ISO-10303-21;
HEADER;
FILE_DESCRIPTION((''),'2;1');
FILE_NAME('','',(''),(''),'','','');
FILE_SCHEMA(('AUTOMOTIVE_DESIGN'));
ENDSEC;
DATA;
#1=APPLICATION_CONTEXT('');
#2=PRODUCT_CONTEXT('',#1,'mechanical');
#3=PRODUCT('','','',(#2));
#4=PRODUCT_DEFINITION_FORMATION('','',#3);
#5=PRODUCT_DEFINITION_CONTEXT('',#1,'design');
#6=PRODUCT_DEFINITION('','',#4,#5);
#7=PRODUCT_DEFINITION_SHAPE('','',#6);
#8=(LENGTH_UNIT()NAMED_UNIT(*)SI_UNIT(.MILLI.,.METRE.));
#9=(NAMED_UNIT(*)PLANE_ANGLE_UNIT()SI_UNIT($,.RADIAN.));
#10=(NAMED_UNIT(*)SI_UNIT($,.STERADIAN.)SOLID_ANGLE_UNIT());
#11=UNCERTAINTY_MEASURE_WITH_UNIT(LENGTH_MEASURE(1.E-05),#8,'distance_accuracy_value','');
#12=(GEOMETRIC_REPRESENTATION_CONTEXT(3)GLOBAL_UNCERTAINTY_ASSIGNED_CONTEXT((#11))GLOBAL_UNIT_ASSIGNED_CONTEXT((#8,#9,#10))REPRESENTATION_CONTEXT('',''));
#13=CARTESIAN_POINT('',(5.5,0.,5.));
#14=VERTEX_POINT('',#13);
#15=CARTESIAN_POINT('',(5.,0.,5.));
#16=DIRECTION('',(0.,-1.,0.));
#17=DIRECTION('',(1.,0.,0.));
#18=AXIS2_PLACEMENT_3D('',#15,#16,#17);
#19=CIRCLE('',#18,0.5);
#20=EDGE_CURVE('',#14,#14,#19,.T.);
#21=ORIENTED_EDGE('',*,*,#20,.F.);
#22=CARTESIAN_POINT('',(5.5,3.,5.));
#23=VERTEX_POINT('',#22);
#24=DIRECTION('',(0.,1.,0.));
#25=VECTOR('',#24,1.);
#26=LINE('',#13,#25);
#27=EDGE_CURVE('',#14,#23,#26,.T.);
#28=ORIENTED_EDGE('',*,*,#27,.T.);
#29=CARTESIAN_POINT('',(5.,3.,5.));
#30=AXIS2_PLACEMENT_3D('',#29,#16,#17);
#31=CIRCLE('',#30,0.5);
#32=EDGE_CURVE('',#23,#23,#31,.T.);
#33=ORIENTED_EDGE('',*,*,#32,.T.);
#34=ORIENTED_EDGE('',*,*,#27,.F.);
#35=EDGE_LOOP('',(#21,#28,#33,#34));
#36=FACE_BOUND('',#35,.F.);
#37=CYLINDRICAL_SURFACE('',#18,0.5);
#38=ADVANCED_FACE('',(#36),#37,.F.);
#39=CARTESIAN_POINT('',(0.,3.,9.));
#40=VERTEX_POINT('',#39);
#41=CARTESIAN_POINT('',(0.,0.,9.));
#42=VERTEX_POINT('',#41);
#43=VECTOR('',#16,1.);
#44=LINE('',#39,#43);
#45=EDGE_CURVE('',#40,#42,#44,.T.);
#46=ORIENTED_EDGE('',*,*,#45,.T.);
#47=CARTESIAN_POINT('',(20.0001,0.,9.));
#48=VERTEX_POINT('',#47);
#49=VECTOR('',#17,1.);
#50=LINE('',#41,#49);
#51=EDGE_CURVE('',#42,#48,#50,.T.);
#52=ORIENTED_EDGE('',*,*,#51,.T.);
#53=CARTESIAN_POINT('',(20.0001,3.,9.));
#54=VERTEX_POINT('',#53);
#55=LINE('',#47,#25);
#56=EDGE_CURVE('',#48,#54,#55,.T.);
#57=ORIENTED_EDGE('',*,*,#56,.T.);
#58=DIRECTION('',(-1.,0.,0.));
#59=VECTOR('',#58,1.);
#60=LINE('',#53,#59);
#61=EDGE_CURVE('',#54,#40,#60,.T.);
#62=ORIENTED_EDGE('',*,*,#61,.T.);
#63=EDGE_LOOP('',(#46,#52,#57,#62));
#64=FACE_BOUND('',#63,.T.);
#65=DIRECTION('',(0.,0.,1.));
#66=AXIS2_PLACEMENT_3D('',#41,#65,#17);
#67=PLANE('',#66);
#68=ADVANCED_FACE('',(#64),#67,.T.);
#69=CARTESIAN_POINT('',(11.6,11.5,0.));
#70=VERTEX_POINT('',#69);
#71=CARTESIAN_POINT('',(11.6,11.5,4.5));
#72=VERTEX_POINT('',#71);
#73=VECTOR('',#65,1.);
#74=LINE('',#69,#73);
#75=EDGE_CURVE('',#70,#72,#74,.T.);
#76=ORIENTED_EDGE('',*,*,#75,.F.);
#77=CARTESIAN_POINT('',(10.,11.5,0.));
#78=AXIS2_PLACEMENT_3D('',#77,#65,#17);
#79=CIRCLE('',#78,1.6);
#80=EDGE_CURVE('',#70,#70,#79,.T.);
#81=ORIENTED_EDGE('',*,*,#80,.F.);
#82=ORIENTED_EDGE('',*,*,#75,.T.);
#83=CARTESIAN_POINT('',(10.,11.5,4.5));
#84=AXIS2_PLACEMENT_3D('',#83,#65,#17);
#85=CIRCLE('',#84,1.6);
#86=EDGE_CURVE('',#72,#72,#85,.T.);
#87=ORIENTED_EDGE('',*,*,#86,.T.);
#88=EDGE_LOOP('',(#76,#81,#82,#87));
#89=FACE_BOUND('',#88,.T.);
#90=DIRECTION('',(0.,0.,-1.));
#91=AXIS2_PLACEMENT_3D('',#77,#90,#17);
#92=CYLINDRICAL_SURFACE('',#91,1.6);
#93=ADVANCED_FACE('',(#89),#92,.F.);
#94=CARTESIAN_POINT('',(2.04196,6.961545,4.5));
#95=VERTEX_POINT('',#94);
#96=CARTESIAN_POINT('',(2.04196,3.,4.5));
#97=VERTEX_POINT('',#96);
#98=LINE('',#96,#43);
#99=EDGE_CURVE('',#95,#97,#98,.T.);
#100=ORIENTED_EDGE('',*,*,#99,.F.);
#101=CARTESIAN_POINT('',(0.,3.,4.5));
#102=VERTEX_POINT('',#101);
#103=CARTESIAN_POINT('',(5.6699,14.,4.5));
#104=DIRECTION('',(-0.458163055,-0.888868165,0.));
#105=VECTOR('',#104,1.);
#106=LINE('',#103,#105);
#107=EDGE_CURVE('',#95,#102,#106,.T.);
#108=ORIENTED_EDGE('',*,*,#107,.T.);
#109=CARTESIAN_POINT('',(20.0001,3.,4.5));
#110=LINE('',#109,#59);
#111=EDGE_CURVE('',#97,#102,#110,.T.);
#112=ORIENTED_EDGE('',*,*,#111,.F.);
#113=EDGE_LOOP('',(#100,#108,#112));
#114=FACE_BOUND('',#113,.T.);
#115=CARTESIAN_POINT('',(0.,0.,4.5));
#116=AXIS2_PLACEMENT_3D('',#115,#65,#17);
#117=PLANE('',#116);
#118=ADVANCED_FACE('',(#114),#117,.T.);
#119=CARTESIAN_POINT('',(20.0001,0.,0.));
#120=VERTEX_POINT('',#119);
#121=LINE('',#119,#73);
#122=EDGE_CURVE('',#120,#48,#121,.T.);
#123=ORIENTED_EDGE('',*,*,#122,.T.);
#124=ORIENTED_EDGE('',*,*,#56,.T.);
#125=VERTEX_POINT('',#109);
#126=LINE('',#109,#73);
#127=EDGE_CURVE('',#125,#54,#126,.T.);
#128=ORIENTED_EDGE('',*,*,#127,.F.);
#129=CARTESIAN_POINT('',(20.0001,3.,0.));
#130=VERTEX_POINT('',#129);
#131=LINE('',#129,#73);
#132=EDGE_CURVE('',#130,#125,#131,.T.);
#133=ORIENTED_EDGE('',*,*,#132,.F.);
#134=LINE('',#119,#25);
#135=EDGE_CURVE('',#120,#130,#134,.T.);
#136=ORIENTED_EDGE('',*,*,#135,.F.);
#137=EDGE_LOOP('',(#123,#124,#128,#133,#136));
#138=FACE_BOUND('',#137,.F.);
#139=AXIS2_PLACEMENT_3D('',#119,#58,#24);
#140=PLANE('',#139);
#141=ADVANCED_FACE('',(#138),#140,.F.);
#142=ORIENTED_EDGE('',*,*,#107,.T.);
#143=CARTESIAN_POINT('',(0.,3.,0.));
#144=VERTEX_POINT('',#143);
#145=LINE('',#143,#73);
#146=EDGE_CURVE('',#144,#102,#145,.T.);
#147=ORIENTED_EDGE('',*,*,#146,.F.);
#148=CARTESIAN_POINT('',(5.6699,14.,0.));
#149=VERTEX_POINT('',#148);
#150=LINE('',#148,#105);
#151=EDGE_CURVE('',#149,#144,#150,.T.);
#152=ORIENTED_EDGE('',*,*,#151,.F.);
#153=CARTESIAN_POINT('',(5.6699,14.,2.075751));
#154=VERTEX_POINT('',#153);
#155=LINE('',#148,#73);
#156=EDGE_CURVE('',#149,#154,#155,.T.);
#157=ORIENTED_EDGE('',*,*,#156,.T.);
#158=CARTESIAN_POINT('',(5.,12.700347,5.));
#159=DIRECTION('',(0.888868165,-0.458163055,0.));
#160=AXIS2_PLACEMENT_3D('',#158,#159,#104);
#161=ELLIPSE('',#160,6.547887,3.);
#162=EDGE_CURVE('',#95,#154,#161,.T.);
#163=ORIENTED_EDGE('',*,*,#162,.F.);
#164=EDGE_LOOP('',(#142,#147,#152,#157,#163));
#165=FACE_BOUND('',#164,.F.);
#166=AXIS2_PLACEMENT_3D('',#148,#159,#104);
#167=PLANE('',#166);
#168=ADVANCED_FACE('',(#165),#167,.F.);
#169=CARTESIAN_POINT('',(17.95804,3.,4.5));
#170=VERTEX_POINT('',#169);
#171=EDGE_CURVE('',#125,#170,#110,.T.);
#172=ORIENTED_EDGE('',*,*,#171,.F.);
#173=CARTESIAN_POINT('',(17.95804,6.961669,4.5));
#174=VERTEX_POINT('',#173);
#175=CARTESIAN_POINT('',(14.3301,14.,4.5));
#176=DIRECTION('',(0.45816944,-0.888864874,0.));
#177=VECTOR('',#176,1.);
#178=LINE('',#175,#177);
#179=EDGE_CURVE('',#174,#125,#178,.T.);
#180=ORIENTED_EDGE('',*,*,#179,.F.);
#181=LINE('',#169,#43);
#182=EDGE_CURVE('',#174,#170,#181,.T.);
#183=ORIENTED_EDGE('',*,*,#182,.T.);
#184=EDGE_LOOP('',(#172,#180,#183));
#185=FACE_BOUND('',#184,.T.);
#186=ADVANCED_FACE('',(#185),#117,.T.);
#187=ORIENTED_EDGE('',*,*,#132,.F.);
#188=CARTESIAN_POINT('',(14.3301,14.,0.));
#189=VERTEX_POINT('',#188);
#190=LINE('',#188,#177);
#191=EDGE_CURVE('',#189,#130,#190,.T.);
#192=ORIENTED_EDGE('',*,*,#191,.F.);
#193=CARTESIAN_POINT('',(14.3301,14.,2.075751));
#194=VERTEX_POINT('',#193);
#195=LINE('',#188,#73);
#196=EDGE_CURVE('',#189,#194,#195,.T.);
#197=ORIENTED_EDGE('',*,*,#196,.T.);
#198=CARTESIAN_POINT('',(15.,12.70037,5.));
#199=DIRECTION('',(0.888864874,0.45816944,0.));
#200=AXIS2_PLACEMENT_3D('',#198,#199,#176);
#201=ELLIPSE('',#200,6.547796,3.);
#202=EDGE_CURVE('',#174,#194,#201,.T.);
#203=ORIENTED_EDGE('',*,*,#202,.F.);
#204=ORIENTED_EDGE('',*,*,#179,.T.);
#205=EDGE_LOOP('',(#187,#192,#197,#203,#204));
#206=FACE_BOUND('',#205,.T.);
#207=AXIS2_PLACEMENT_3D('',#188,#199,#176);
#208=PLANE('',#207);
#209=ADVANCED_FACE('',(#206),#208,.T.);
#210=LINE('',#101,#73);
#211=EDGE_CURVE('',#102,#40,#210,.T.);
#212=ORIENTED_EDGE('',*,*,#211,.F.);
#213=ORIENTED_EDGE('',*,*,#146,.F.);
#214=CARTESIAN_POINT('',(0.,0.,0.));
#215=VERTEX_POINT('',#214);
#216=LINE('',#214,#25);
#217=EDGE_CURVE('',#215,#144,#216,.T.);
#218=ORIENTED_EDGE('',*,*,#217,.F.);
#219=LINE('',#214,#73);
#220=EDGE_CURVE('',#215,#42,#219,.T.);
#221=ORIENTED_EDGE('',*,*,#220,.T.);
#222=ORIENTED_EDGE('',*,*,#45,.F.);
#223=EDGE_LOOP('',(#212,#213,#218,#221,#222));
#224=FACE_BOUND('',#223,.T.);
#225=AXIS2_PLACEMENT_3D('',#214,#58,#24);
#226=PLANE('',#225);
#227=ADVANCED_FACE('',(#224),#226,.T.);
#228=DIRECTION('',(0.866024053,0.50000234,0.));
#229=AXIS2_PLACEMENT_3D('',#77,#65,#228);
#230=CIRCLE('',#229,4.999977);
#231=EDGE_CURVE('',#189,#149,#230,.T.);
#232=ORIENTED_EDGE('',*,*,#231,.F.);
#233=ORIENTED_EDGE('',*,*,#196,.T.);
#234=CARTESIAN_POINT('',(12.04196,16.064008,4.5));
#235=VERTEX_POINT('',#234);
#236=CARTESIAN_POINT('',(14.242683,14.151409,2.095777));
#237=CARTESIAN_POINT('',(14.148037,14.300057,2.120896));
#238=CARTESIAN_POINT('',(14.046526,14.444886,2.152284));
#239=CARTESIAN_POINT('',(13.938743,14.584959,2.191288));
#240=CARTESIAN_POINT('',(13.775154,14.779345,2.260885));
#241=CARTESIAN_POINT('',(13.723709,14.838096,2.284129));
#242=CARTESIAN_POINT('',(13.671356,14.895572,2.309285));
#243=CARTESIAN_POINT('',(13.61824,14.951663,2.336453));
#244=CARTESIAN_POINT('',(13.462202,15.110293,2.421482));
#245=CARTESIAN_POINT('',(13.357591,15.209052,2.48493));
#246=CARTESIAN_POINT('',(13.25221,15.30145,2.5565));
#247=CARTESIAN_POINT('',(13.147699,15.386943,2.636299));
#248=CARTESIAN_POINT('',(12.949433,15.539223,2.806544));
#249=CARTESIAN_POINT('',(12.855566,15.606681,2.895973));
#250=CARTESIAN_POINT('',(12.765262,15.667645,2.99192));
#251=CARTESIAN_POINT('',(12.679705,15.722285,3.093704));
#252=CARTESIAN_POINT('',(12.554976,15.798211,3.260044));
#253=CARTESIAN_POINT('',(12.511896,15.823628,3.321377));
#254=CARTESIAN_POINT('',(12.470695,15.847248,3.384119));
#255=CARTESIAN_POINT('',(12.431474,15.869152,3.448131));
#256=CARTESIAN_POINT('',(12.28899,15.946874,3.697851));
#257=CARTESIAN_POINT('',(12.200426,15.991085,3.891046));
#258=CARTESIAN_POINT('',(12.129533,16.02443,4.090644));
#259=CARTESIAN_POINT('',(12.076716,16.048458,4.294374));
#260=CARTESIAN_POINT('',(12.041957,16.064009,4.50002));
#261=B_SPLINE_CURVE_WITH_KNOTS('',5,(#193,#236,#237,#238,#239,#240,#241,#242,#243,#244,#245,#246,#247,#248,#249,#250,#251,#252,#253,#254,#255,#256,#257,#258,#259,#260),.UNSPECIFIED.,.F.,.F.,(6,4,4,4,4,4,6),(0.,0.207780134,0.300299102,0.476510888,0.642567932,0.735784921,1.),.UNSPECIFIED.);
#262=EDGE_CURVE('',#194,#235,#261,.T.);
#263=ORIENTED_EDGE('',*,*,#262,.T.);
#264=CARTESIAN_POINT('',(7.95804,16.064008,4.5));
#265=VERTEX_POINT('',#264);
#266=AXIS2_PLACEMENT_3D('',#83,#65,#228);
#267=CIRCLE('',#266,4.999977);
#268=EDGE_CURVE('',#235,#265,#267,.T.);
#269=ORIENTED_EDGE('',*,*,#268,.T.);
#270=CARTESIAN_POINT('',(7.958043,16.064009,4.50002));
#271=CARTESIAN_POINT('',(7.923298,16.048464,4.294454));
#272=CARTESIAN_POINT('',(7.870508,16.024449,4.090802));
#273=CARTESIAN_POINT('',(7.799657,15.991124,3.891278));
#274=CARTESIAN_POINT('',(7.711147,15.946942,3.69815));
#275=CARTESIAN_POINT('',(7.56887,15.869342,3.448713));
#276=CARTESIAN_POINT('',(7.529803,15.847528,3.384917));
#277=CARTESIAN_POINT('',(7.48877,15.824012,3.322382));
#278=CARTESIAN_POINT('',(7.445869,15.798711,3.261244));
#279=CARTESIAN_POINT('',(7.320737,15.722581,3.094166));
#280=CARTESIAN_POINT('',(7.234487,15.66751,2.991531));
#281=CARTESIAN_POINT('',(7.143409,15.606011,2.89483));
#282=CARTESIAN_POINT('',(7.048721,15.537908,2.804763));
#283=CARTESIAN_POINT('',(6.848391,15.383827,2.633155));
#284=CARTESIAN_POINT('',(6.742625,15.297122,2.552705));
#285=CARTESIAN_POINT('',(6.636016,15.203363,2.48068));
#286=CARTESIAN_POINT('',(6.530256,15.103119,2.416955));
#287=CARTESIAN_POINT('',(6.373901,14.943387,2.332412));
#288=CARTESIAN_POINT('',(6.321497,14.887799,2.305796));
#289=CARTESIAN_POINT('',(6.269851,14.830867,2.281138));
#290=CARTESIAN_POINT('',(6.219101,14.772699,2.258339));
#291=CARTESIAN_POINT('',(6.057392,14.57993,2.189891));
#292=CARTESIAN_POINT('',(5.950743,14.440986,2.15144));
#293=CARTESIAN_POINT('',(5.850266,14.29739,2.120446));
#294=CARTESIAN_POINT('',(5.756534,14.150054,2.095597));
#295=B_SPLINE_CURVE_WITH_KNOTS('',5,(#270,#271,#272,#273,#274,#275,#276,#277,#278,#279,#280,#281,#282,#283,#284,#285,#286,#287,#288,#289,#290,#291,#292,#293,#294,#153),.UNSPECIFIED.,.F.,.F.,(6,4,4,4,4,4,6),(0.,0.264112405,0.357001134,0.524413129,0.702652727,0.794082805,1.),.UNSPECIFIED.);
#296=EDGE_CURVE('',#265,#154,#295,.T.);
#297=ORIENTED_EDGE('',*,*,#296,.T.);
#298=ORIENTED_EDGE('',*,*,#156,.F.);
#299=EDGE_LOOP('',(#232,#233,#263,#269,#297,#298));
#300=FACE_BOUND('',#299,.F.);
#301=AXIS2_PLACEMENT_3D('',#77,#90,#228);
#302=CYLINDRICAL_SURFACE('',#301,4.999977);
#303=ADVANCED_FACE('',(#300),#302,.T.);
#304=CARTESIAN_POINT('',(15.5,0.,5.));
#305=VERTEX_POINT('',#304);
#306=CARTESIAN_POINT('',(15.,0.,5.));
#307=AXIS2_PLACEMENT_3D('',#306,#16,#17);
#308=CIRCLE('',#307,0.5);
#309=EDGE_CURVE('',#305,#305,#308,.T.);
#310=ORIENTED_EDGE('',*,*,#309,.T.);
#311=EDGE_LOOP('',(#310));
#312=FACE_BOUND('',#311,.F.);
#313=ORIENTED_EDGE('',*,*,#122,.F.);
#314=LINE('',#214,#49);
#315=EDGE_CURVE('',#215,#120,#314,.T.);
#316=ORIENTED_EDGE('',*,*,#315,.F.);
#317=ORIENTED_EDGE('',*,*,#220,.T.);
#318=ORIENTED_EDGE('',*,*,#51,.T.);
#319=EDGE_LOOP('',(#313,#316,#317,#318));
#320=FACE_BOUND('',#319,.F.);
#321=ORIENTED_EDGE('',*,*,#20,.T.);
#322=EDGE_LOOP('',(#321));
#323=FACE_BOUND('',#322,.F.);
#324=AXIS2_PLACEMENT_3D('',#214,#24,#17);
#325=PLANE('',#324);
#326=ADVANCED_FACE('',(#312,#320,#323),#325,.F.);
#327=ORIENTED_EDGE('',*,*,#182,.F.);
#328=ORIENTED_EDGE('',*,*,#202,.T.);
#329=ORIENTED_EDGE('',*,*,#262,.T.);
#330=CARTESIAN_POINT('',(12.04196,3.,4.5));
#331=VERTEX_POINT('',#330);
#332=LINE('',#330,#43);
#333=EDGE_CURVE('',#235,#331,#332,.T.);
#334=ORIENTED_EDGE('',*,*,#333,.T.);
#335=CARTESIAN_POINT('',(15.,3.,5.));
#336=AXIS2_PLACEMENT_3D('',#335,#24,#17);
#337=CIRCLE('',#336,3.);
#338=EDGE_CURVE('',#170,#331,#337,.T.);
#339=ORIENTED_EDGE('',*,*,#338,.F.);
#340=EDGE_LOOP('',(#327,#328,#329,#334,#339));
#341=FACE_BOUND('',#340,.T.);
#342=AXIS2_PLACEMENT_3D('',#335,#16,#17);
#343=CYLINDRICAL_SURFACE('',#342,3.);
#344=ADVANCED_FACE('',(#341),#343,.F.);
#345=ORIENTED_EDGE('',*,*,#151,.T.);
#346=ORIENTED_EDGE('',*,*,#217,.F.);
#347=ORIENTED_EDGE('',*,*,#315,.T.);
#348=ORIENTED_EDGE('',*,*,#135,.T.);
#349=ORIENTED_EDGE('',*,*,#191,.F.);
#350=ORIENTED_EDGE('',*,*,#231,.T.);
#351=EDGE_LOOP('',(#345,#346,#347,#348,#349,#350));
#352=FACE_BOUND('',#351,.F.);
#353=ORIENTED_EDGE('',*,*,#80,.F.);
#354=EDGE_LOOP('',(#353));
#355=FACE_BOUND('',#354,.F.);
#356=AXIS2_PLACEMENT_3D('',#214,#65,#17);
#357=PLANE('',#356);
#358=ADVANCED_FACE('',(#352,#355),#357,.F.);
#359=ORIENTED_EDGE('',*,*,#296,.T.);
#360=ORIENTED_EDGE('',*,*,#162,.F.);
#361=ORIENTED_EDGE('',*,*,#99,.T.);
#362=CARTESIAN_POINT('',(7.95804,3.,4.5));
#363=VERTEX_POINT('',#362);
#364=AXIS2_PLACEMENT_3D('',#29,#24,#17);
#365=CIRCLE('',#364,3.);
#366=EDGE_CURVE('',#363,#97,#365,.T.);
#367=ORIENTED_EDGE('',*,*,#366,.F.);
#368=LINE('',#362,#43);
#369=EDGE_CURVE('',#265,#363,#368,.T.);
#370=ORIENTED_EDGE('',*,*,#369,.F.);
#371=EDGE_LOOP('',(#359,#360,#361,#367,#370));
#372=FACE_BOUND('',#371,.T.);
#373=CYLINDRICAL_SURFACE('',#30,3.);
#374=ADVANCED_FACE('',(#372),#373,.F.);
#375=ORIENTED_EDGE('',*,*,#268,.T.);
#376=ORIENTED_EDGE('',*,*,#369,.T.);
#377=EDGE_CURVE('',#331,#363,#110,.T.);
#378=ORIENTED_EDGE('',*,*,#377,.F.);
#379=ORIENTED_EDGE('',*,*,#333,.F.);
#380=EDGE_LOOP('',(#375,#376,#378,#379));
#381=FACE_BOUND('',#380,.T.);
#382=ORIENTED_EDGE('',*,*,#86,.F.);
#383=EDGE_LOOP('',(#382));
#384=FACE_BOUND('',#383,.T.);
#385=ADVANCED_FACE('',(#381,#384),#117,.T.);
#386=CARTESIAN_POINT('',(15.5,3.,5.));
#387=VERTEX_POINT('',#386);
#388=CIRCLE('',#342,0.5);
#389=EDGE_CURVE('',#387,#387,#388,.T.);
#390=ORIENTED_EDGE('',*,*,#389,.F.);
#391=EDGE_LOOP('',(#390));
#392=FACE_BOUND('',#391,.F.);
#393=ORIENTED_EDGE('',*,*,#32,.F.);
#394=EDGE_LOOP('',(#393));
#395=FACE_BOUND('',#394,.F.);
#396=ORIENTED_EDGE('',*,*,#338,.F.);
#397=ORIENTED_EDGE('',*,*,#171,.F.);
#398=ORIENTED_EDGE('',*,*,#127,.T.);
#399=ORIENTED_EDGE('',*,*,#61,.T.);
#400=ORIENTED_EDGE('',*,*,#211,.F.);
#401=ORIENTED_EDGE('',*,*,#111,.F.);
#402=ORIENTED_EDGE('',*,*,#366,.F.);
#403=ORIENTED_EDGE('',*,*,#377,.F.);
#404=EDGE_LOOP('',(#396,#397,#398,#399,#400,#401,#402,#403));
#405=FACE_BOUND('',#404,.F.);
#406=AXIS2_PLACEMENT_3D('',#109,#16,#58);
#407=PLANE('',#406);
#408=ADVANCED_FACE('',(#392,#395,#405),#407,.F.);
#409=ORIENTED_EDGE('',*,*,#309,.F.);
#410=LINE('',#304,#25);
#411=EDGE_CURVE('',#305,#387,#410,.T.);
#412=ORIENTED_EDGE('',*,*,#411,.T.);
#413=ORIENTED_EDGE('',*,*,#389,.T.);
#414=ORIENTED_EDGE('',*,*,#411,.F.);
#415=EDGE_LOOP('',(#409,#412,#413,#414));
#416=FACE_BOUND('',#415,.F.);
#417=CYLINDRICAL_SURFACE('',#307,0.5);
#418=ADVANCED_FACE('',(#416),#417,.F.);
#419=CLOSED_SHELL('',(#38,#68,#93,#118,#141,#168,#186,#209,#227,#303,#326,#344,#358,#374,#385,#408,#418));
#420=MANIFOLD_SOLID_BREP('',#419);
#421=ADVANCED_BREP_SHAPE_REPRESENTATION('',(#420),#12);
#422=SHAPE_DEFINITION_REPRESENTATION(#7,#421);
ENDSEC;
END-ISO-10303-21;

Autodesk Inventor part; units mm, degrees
ref_plane "YZ Plane" through (0, 0, 0) normal (1, 0, 0) x (0, 1, 0)
ref_plane "XZ Plane" through (0, 0, 0) normal (0, 1, 0) x (-1, 0, 0)
ref_plane "XY Plane" through (0, 0, 0) normal (0, 0, 1) x (1, 0, 0)
sketch "Sketch1" plane through (0, 0, 0) normal (0, 0, 1) x (1, 0, 0)
  circle A0 centre (10, 11.5) radius 1.6
  line L0 (0, 0) -> (20.0001, 0)
  line L1 (0, 0) -> (0, 3)
  line L2 (20.0001, 0) -> (20.0001, 3)
  line L3 (0, 3) -> (16, 3) construction
  line L4 (20.0001, 3) -> (36.0001, 3) construction
  arc A1 (14.3301, 14) -> (5.6699, 14) centre (10, 11.5) ccw
  line L5 (10, 11.5) -> (5.6699, 14) construction
  line L6 (10, 11.5) -> (14.3301, 14) construction
  line L7 (5.6699, 14) -> (0, 3)
  line L8 (14.3301, 14) -> (20.0001, 3)
  dimension "d17" = 3
  dimension "d18" = 3
  dimension "d19" = 11.5
  dimension "d23" = 90
  dimension "d24" = 90
  dimension "d25" = 10
  dimension "d31" = 5
  dimension "d32" = 120
  dimension "d33" = 14
sketch "Sketch3" plane through (0, 0, 0) normal (0, 0, 1) x (1, 0, 0)
  point P0 (0, 0)
extrude "Extrusion1" add sketch "Sketch1" along normal blind 4.5
sketch "Sketch4" plane through (0, 0, 4.5) normal (0, 0, 1) x (1, 0, 0)
  line L0 (0, 3) -> (0, 0) projected
  line L1 (20.0001, 0) -> (20.0001, 3) projected
  line L2 (0, 0) -> (20.0001, 0)
  line L3 (20.0001, 0) -> (20.0001, 3)
  line L4 (3.884, 22.9404) -> (-0.9789, 3.2417) projected
  line L5 (20.0001, 3) -> (0, 3)
  line L6 (0, 3) -> (0, 0)
extrude "Extrusion2" add sketch "Sketch4" along normal blind 4.5
sketch "Sketch5" plane through (0, 0, 0) normal (0, -1, 0) x (1, 0, 0)
  circle A0 centre (5, 5) radius 0.5
  circle A1 centre (15, 5) radius 0.5
  line L0 (0, 0) -> (20.0001, 0) projected
  dimension "d13" = 1
  dimension "d14" = 1
  dimension "d38" = 5
  dimension "d39" = 5
extrude "Extrusion3" cut sketch "Sketch5" against normal blind 5.5
sketch "Sketch6" plane through (0, 3, 9) normal (0, 1, 0) x (1, 0, 0)
  circle A0 centre (5, 4) radius 0.5 projected
  circle A1 centre (5, 4) radius 3
  circle A2 centre (15, 4) radius 0.5 projected
  circle A3 centre (15, 4) radius 3
  line L0 (0, 9) -> (20.0001, 9) projected
  dimension "d34" = 6
  dimension "d35" = 6
  dimension "d40" = 5
  dimension "d41" = 5
extrude "Extrusion4" cut sketch "Sketch6" along normal up to next
properties part number "lower_deck_shaft_mount_for_AD"
